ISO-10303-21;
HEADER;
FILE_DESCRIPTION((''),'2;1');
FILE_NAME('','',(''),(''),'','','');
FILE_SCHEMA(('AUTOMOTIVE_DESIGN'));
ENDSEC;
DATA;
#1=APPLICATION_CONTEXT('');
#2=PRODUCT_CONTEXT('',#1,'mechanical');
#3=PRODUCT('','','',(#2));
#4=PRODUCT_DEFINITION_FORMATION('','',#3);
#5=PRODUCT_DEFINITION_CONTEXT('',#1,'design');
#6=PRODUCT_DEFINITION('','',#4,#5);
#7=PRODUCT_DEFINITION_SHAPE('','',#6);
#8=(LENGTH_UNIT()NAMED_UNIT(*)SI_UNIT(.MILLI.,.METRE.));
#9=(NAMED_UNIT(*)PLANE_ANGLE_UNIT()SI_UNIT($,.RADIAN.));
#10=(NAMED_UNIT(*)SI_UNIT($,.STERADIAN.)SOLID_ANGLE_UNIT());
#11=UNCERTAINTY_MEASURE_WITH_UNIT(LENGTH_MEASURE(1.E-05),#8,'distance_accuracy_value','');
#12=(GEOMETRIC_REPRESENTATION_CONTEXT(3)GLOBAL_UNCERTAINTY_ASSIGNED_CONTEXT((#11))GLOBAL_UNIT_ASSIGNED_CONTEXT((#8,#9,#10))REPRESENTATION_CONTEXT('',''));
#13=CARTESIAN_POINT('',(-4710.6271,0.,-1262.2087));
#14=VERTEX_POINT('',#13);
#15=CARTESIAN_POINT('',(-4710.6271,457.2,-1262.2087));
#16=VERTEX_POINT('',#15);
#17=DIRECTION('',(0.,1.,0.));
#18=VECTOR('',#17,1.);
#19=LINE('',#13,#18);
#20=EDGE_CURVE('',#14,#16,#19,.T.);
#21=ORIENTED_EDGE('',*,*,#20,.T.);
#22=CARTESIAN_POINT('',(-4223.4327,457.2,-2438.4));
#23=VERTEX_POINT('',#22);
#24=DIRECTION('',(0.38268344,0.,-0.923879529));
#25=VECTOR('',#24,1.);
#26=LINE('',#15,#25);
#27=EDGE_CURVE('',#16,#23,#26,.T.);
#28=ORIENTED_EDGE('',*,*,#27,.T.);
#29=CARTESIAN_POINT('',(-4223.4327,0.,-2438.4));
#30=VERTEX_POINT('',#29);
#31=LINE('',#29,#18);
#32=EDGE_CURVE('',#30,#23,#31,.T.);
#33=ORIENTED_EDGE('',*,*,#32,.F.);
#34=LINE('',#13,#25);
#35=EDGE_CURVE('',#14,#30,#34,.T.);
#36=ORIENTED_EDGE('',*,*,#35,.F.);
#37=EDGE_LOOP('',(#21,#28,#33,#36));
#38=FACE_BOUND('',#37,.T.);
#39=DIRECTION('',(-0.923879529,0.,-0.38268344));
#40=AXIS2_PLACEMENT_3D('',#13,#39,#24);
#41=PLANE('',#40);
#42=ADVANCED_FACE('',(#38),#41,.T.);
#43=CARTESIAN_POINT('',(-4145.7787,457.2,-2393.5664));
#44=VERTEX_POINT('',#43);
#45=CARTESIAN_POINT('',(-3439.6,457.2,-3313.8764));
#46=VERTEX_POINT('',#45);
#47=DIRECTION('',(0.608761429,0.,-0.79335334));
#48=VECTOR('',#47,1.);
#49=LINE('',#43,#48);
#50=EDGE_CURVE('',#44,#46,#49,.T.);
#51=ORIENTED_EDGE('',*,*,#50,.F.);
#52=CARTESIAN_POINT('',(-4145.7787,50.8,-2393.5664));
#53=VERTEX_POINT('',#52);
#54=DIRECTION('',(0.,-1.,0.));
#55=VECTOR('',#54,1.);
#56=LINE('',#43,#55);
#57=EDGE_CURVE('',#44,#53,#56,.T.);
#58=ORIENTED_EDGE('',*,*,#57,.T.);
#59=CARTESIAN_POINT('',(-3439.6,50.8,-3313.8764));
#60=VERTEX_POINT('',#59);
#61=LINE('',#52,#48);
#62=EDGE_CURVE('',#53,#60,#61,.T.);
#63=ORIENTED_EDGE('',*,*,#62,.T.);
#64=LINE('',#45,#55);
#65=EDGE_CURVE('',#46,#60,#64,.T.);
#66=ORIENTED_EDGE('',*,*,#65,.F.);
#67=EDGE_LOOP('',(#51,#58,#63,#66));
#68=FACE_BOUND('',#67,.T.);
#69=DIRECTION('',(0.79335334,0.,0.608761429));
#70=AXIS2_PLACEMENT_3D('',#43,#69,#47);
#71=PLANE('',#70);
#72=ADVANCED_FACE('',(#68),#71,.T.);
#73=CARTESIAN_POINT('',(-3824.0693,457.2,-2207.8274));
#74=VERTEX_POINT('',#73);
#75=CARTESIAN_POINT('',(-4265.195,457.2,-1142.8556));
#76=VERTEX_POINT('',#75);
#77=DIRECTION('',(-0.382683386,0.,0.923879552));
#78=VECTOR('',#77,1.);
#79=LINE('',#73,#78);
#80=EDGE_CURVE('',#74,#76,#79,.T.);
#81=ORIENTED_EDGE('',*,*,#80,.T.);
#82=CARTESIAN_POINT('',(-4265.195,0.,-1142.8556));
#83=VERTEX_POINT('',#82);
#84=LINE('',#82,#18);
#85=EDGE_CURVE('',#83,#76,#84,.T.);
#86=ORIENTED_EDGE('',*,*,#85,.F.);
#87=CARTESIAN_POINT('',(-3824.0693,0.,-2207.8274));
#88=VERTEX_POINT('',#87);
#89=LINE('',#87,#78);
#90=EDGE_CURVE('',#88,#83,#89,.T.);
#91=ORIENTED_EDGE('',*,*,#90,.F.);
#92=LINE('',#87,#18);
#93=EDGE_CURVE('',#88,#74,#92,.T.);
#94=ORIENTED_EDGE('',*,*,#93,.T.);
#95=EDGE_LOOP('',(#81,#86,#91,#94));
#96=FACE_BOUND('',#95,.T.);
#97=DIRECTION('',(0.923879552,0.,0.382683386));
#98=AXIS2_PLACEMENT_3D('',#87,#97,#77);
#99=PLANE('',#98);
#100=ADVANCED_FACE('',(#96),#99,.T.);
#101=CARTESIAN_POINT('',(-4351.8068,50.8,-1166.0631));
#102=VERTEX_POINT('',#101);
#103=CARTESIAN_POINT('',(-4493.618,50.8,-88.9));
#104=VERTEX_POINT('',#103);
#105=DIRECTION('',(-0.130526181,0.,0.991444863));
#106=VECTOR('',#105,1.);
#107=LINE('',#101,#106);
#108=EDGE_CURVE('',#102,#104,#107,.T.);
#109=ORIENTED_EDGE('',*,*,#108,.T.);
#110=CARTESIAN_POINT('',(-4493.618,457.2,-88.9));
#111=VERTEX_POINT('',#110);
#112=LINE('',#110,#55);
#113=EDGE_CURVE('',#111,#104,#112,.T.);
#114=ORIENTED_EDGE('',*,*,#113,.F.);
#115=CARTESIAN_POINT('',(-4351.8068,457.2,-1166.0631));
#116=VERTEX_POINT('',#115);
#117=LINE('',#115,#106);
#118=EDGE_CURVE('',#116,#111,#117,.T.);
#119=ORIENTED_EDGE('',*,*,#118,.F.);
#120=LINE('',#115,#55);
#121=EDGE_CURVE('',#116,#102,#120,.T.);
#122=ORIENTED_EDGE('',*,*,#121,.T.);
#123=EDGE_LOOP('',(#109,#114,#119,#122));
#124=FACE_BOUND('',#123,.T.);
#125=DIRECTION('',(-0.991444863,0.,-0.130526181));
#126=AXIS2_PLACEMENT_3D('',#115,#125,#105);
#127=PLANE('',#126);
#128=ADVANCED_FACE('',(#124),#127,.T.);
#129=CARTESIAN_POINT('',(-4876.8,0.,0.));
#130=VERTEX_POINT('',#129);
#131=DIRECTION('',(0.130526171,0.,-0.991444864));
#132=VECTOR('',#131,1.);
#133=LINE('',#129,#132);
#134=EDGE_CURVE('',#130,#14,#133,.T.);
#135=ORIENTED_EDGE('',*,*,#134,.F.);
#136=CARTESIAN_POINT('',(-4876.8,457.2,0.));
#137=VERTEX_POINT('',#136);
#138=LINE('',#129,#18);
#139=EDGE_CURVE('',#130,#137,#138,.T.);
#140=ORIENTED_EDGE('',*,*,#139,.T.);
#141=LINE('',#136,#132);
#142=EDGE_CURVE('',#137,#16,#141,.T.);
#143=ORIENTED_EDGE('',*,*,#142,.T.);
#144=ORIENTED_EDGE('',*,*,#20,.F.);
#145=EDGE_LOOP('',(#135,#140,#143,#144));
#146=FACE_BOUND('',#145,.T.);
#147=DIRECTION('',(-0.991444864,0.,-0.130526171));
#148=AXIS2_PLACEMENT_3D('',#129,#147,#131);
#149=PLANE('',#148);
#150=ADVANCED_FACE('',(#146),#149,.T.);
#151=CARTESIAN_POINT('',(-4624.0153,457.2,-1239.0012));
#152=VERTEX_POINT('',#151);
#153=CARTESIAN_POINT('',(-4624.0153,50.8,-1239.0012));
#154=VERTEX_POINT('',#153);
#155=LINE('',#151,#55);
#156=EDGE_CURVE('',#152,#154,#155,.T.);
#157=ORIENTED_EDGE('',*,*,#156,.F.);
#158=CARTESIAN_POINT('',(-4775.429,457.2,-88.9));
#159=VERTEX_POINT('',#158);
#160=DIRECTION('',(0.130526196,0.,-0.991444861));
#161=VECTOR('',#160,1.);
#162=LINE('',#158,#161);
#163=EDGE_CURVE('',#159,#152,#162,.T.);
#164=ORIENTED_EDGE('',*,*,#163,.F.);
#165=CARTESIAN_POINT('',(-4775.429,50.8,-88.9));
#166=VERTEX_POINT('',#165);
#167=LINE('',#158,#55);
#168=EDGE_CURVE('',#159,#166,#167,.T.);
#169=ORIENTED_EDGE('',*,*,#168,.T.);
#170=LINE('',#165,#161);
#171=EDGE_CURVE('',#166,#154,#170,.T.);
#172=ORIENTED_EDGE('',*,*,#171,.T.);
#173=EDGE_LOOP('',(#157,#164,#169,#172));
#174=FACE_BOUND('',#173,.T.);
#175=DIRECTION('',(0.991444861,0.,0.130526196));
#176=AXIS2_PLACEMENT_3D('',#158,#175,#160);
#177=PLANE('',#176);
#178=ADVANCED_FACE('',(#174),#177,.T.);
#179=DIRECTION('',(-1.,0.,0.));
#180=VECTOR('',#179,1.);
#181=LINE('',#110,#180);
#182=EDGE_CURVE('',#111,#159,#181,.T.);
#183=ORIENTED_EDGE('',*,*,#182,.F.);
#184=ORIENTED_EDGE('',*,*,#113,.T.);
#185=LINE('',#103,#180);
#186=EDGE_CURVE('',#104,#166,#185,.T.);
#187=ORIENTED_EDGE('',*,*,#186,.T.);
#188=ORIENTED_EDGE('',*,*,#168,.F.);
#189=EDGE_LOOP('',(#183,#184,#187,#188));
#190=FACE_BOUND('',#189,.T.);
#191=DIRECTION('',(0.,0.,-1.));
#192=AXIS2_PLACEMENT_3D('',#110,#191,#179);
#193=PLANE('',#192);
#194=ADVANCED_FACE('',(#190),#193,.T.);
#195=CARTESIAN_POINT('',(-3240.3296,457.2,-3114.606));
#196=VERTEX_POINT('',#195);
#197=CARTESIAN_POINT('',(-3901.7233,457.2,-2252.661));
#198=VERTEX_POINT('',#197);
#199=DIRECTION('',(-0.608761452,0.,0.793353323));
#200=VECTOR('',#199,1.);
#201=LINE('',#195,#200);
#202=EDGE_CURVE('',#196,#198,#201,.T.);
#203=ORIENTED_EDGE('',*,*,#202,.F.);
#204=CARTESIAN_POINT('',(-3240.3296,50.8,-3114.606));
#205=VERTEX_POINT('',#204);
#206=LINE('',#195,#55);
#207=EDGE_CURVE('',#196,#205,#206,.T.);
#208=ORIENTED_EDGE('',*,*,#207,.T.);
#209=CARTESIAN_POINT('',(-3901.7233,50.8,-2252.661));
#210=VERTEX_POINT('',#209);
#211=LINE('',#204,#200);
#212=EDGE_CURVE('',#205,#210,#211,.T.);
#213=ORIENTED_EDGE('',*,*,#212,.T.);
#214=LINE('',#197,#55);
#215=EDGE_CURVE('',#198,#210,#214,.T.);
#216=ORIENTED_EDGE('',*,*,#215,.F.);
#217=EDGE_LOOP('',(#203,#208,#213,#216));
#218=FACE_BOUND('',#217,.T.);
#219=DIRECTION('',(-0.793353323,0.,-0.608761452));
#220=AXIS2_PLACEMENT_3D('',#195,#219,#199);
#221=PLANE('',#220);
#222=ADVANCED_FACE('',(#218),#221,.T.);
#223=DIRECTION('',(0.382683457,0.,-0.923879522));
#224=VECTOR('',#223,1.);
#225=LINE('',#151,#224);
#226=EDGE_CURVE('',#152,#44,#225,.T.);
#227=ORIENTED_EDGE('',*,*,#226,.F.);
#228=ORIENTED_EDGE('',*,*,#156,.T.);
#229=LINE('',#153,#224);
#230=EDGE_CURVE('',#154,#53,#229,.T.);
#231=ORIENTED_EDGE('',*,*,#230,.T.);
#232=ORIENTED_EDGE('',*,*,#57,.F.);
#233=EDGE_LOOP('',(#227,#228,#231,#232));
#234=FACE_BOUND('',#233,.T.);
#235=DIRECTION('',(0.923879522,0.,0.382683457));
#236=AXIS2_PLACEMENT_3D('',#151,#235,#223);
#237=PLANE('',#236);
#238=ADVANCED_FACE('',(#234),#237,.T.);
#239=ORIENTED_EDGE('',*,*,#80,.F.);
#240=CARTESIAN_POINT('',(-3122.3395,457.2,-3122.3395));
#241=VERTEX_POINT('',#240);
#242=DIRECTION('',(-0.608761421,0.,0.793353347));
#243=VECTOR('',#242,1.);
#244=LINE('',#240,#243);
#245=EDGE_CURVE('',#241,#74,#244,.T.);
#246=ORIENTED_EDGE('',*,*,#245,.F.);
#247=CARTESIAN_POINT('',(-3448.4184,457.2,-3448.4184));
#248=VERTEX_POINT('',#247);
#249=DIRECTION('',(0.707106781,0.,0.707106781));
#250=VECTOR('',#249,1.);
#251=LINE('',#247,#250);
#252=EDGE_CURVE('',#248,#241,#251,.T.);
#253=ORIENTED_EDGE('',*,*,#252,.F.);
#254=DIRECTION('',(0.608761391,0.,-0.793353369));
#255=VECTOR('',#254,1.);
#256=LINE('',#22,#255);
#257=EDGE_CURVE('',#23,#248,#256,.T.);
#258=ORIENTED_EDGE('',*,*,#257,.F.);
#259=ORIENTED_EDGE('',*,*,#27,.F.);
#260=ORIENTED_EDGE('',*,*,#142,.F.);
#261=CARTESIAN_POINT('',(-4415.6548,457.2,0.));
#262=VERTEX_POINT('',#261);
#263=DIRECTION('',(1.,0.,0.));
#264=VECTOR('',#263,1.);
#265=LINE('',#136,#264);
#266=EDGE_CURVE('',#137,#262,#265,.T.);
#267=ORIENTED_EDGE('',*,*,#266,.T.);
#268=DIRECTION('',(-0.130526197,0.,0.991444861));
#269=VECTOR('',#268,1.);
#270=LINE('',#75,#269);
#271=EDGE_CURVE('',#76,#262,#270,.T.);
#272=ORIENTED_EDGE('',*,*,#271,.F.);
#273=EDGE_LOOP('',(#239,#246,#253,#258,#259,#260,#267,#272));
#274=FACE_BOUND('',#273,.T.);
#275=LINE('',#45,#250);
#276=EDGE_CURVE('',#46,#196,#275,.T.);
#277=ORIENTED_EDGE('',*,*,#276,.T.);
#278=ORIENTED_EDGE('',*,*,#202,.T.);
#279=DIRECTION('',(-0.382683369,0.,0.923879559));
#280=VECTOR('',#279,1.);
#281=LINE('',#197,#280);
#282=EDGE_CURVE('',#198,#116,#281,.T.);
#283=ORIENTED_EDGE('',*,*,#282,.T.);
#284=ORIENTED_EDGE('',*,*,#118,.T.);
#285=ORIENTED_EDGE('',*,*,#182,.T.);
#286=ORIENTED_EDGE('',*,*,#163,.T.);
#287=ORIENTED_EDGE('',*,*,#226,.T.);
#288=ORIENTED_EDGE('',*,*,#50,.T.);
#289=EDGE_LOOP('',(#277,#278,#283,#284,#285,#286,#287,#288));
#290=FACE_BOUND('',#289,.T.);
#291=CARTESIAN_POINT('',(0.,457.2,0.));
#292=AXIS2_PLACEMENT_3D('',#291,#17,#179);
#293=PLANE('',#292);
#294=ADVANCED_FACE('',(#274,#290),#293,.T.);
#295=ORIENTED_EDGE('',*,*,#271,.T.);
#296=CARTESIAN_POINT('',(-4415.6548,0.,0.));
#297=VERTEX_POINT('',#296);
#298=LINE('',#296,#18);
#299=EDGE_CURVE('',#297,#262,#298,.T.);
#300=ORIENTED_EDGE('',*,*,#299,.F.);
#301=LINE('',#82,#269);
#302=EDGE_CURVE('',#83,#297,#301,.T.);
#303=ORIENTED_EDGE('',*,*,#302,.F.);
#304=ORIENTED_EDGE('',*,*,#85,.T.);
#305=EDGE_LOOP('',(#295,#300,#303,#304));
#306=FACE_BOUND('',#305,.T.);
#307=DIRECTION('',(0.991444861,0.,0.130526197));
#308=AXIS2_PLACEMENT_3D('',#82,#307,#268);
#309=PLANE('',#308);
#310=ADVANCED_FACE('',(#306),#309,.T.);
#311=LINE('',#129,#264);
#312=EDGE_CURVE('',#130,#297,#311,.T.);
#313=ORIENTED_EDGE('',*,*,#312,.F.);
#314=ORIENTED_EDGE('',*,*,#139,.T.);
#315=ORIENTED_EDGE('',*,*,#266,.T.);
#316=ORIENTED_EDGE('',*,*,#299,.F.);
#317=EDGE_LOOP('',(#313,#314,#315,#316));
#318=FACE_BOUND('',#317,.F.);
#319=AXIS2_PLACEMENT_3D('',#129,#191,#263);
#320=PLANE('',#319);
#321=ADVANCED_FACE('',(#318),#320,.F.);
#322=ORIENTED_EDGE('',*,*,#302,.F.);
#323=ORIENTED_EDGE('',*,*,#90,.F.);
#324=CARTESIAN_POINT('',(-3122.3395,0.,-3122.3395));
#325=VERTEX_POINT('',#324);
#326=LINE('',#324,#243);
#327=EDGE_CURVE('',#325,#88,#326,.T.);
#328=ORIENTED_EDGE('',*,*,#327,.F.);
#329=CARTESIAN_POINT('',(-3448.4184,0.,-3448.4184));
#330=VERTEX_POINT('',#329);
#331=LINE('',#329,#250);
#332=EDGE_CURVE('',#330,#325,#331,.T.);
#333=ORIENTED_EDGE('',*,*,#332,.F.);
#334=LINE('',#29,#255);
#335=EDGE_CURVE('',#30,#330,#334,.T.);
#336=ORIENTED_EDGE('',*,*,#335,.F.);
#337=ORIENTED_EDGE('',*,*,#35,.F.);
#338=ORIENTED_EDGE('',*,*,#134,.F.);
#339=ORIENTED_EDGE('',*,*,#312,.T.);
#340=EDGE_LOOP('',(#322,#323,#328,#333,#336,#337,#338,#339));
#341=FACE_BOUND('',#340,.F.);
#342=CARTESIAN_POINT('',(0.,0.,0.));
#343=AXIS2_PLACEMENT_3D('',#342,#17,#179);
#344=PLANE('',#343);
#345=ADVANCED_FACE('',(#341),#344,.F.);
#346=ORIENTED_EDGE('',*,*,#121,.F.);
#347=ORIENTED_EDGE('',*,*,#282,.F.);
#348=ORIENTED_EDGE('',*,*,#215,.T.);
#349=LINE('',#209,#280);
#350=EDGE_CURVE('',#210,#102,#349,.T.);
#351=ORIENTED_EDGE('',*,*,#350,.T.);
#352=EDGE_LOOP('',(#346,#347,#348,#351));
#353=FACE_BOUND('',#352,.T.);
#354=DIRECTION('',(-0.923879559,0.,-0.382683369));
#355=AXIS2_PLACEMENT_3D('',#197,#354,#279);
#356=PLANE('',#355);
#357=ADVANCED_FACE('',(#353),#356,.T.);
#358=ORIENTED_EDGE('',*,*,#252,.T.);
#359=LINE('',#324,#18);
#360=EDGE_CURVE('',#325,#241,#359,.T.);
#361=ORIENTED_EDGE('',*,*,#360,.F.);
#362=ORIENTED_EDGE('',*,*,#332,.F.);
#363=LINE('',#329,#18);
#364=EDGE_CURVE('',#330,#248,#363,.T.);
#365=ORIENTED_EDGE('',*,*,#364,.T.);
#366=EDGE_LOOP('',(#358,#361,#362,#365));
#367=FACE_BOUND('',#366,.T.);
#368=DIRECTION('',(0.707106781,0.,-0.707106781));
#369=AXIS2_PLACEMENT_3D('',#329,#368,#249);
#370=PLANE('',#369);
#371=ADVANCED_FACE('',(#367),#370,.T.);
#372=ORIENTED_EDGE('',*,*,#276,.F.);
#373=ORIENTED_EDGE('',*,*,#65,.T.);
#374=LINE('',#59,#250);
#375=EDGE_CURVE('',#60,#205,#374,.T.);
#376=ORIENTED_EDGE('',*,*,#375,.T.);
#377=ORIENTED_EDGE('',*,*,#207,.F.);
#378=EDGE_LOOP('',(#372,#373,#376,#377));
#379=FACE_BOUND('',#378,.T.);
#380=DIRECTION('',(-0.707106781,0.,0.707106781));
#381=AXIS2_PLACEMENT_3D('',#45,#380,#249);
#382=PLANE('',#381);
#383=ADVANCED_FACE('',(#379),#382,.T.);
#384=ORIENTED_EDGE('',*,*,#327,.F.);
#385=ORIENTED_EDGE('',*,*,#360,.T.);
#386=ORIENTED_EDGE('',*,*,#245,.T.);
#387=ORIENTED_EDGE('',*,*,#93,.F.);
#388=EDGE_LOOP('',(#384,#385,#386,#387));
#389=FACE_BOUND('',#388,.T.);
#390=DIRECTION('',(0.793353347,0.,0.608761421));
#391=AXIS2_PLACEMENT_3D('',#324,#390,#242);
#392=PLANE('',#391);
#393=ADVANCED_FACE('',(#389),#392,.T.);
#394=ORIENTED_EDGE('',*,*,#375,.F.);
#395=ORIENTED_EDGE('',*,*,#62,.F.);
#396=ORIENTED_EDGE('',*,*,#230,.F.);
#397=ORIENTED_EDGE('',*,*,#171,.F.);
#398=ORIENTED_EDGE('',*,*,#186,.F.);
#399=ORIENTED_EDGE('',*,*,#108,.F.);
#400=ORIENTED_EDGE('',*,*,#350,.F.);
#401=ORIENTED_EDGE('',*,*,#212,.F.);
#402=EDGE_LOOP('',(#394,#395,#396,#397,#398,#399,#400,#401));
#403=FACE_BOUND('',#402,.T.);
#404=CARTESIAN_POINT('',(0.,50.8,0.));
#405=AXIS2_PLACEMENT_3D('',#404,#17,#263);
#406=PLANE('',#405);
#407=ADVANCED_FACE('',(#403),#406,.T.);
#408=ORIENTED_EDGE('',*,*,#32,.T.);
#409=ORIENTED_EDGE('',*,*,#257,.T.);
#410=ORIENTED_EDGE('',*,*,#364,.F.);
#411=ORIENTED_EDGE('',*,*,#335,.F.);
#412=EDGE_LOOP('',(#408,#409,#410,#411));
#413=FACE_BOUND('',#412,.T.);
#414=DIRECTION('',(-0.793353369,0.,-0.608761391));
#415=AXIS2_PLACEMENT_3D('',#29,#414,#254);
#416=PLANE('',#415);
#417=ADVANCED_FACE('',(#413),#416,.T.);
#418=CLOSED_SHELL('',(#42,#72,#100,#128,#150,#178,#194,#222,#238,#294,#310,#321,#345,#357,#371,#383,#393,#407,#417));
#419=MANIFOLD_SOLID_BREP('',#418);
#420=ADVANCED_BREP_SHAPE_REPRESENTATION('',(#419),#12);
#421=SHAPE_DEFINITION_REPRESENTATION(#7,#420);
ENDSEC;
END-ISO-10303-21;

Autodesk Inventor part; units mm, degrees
ref_plane "YZ Plane" through (0, 0, 0) normal (1, 0, 0) x (0, 1, 0)
ref_plane "XZ Plane" through (0, 0, 0) normal (0, 1, 0) x (-1, 0, 0)
ref_plane "XY Plane" through (0, 0, 0) normal (0, 0, 1) x (1, 0, 0)
sketch "Sketch3" plane through (0, 0, 0) normal (0, 1, 0) x (-1, 0, 0)
  line L0 (4876.8, 0) -> (4710.6271, -1262.2087)
  line L1 (4710.6271, -1262.2087) -> (4223.4327, -2438.4)
  line L2 (4223.4327, -2438.4) -> (3448.4184, -3448.4184)
  line L3 (3122.3395, -3122.3395) -> (3824.0693, -2207.8274)
  line L4 (3824.0693, -2207.8274) -> (4265.195, -1142.8556)
  line L5 (4265.195, -1142.8556) -> (4415.6548, 0)
  line L6 (4876.8, 0) -> (4415.6548, 0)
  line L7 (3448.4184, -3448.4184) -> (3122.3395, -3122.3395)
  line L8 (4776.121, 90.6289) -> (4876.8, 0)
  line L9 (3448.4184, -3448.4184) -> (3245.8, -3603.8929)
  point P0 (0, 0)
  point P1 (0, 0)
  dimension "d20" = 4876.8
  dimension "d25" = 457.2
extrude "Extrusion1" add sketch "Sketch3" along normal blind 457.2
sketch "Sketch4" plane through (0, 457.2, 0) normal (0, 1, 0) x (1, 0, 0)
  line L0 (-4710.6271, 1262.2087) -> (-4876.8, 0) projected
  line L1 (-4876.8, 0) -> (-4415.6548, 0) projected
  line L2 (-4415.6548, 0) -> (-4265.195, 1142.8556) projected
  line L3 (-4265.195, 1142.8556) -> (-3824.0693, 2207.8274) projected
  line L4 (-3824.0693, 2207.8274) -> (-3122.3395, 3122.3395) projected
  line L5 (-3122.3395, 3122.3395) -> (-3448.4184, 3448.4184) projected
  line L6 (-3448.4184, 3448.4184) -> (-4223.4327, 2438.4) projected
  line L7 (-4223.4327, 2438.4) -> (-4710.6271, 1262.2087) projected
  line L8 (-4145.7787, 2393.5664) -> (-3439.6, 3313.8764)
  line L9 (-3439.6, 3313.8764) -> (-3240.3296, 3114.606)
  line L10 (-3240.3296, 3114.606) -> (-3901.7233, 2252.661)
  line L11 (-3901.7233, 2252.661) -> (-4351.8068, 1166.0631)
  line L12 (-4351.8068, 1166.0631) -> (-4493.618, 88.9)
  line L13 (-4493.618, 88.9) -> (-4775.429, 88.9)
  line L14 (-4775.429, 88.9) -> (-4624.0153, 1239.0012)
  line L15 (-4624.0153, 1239.0012) -> (-4145.7787, 2393.5664)
  point P0 (0, 0)
  dimension "d24" = 88.9
extrude "Extrusion2" cut sketch "Sketch4" against normal blind 406.4 contours L8 L9 L10 L11 L12 L13 L14 L15
properties part number "planter" material "Wood (Cherry)"
